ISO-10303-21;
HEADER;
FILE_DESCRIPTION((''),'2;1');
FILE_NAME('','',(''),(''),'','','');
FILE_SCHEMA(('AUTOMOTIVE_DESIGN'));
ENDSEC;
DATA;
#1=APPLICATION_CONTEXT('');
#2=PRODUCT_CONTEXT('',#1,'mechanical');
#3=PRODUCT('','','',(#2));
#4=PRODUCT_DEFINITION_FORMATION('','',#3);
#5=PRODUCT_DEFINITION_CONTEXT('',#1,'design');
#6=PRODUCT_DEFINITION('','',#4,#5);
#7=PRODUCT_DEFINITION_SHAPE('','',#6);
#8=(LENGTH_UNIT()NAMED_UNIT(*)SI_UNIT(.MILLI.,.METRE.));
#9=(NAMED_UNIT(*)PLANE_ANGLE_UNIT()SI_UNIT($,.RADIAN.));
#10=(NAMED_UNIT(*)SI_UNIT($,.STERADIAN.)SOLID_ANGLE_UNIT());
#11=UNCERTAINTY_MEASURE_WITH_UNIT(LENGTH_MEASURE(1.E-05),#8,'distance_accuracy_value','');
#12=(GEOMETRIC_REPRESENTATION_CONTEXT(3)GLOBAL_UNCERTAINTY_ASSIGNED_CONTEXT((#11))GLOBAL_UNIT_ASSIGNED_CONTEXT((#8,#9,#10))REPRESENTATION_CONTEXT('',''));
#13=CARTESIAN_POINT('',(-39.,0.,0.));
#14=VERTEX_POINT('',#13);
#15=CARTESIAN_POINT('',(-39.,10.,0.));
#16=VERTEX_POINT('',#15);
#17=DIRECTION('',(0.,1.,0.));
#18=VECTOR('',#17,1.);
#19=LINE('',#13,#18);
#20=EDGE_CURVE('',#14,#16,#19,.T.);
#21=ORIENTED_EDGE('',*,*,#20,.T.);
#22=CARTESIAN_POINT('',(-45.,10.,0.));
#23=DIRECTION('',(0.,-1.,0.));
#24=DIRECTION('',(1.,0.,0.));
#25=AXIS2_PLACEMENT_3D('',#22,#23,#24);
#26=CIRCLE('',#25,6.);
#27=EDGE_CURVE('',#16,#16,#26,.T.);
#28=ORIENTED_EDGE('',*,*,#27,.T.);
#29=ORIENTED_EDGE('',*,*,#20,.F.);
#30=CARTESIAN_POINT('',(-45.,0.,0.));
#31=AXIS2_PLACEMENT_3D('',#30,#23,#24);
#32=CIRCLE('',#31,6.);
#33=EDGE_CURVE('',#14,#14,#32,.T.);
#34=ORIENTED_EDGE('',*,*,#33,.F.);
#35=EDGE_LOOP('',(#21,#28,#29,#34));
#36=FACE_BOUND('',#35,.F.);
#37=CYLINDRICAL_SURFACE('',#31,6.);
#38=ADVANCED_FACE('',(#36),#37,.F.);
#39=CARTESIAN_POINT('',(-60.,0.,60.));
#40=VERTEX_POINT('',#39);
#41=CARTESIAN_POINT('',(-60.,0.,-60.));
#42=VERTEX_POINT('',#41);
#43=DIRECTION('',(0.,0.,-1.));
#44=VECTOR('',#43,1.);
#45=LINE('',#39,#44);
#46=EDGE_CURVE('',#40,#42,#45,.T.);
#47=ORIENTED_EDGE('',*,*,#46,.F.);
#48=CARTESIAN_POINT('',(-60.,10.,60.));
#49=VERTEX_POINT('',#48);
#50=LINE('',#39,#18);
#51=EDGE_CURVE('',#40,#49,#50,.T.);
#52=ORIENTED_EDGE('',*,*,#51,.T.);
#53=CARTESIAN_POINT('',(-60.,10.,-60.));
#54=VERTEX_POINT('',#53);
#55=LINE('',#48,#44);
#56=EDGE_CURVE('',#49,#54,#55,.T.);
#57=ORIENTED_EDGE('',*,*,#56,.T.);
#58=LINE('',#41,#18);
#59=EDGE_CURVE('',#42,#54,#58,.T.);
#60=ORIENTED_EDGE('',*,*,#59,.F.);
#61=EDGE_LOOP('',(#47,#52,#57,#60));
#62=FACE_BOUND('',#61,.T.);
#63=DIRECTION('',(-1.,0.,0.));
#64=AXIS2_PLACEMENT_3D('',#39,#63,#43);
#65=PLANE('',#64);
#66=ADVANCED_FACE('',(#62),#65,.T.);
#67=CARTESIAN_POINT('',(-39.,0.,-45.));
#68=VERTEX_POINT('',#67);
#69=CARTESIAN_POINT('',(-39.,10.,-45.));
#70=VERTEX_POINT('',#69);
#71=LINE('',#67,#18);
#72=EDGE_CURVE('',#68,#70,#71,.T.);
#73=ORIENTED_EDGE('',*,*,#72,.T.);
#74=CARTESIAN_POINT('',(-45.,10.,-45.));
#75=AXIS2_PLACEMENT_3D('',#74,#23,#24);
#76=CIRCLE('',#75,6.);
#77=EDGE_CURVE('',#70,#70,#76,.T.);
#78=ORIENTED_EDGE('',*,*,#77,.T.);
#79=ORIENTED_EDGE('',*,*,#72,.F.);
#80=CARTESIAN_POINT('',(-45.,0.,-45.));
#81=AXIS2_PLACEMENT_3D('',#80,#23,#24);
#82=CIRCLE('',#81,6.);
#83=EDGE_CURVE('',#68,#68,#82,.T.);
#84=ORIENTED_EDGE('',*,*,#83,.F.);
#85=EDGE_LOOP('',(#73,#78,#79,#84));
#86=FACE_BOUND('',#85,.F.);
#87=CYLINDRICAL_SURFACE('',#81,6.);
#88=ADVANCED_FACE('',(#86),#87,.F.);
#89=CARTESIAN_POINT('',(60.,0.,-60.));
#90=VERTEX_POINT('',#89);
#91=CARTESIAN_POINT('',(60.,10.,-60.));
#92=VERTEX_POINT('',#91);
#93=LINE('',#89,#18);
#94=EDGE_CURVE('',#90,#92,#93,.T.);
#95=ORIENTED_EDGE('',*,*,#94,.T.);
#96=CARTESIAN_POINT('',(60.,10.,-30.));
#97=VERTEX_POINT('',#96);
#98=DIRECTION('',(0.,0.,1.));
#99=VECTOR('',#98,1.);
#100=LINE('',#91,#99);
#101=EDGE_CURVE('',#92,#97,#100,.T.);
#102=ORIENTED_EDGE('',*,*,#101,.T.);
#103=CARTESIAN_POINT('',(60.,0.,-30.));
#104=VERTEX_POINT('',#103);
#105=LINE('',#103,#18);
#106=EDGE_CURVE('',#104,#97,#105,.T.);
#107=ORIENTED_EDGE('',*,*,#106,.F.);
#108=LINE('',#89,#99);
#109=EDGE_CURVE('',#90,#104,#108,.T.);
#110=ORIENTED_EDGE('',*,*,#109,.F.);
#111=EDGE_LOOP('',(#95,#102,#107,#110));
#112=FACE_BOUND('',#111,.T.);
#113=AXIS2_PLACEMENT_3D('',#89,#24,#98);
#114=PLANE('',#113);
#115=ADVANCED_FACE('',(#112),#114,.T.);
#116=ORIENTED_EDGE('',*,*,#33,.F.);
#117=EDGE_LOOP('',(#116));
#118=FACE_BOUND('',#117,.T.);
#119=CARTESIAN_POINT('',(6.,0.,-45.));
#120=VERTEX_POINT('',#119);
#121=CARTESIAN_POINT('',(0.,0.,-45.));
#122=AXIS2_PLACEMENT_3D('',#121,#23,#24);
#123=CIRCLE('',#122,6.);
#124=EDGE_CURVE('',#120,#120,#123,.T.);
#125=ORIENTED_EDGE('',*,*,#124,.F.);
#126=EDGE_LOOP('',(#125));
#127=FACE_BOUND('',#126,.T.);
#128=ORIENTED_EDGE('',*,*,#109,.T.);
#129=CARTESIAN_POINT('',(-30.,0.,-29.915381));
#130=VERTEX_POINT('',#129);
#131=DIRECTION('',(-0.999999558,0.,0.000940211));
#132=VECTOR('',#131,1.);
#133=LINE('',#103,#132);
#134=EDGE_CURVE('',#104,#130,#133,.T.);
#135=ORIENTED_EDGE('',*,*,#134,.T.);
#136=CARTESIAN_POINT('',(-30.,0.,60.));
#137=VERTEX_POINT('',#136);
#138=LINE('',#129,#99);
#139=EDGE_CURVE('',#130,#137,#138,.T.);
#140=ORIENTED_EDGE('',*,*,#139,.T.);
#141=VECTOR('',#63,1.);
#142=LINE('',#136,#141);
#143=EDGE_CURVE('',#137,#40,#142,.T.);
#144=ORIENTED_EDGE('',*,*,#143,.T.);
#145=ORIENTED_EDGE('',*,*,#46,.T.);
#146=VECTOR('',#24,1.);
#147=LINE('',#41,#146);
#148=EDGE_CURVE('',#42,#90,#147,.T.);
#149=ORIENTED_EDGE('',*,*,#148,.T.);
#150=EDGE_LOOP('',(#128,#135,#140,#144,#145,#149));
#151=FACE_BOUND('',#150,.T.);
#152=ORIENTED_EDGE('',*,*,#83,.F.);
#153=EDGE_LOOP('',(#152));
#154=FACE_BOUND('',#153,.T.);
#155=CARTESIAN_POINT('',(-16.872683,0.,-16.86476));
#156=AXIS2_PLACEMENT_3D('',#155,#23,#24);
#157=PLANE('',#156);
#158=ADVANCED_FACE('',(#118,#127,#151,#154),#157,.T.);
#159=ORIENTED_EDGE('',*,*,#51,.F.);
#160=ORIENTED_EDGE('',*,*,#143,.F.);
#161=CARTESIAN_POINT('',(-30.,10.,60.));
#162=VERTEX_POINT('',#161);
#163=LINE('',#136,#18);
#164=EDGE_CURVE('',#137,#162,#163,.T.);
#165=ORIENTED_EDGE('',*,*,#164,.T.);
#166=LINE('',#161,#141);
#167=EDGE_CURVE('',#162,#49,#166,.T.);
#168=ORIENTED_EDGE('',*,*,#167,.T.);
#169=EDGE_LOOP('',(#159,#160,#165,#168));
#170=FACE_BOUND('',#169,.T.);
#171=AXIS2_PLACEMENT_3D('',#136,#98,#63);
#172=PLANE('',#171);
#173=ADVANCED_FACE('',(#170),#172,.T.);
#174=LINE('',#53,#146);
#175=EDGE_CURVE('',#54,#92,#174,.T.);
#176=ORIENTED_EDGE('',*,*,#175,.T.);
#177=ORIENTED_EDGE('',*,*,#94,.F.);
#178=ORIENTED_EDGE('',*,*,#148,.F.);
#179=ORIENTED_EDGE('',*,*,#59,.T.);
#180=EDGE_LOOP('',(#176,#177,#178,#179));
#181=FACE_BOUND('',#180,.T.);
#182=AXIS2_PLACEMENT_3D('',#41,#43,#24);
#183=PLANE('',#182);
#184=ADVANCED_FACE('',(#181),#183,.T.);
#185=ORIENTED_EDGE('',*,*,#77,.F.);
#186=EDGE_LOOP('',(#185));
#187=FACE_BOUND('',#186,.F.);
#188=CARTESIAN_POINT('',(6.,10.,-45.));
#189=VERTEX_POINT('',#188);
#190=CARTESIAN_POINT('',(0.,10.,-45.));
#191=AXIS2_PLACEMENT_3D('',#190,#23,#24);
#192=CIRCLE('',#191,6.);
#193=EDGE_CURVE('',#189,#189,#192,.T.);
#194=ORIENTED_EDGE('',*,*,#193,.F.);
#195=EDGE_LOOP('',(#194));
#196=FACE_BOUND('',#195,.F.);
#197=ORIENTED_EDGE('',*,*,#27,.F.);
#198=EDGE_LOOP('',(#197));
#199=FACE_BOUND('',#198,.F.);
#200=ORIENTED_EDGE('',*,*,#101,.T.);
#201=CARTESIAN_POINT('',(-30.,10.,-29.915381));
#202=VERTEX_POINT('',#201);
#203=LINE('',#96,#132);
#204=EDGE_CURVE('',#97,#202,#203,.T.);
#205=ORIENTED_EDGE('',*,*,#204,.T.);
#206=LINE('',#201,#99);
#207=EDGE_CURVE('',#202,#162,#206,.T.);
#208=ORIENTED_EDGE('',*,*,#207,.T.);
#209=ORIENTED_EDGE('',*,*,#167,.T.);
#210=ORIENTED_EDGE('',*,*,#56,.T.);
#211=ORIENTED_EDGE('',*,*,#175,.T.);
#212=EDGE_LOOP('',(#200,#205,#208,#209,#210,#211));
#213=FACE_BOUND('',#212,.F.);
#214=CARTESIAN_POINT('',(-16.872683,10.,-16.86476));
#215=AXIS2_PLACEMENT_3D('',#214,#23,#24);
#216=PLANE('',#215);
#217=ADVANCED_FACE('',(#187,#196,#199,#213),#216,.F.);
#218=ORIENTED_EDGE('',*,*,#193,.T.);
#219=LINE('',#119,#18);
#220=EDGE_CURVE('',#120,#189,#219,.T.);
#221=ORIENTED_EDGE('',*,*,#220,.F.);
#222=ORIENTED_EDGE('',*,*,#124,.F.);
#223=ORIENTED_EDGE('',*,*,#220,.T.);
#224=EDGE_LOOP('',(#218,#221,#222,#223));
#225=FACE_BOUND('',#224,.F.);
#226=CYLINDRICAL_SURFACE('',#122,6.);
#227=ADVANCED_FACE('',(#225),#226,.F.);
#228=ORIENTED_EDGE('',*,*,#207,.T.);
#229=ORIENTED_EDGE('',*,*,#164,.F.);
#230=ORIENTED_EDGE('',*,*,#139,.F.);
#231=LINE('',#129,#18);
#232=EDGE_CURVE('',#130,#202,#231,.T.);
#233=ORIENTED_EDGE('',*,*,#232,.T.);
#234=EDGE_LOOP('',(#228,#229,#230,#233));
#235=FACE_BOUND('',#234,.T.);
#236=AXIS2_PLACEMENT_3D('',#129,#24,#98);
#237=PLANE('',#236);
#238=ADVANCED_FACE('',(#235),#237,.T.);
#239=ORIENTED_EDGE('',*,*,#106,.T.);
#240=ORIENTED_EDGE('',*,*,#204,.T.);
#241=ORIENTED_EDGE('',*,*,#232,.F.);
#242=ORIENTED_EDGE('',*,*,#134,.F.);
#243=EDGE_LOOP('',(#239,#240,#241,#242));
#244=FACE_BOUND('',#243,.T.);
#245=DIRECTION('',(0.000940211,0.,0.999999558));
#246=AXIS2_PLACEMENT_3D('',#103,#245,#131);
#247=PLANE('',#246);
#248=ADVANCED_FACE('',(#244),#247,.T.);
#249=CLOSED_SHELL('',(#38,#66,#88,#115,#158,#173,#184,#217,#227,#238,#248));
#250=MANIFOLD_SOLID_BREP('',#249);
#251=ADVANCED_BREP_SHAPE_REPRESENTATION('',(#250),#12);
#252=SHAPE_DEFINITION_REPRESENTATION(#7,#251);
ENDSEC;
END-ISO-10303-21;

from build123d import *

# Parameters (mm, degrees)
F0_R     = 6
F1_DEPTH = 10


with BuildPart() as f1:
    # F0 (on Front) → F1 (new body)
    with BuildSketch(Plane.XZ):
        Polygon((-30, -29.915381), (-30, 60), (-60, 60), (-60, -60), (60, -60), (60, -30), align=None)
        with Locations((-45, -45)):
            Circle(F0_R, mode=Mode.SUBTRACT)
        with Locations((0, -45)):
            Circle(F0_R, mode=Mode.SUBTRACT)
        with Locations((-45, 0)):
            Circle(F0_R, mode=Mode.SUBTRACT)
    extrude(amount=-F1_DEPTH)


solid = f1.part
